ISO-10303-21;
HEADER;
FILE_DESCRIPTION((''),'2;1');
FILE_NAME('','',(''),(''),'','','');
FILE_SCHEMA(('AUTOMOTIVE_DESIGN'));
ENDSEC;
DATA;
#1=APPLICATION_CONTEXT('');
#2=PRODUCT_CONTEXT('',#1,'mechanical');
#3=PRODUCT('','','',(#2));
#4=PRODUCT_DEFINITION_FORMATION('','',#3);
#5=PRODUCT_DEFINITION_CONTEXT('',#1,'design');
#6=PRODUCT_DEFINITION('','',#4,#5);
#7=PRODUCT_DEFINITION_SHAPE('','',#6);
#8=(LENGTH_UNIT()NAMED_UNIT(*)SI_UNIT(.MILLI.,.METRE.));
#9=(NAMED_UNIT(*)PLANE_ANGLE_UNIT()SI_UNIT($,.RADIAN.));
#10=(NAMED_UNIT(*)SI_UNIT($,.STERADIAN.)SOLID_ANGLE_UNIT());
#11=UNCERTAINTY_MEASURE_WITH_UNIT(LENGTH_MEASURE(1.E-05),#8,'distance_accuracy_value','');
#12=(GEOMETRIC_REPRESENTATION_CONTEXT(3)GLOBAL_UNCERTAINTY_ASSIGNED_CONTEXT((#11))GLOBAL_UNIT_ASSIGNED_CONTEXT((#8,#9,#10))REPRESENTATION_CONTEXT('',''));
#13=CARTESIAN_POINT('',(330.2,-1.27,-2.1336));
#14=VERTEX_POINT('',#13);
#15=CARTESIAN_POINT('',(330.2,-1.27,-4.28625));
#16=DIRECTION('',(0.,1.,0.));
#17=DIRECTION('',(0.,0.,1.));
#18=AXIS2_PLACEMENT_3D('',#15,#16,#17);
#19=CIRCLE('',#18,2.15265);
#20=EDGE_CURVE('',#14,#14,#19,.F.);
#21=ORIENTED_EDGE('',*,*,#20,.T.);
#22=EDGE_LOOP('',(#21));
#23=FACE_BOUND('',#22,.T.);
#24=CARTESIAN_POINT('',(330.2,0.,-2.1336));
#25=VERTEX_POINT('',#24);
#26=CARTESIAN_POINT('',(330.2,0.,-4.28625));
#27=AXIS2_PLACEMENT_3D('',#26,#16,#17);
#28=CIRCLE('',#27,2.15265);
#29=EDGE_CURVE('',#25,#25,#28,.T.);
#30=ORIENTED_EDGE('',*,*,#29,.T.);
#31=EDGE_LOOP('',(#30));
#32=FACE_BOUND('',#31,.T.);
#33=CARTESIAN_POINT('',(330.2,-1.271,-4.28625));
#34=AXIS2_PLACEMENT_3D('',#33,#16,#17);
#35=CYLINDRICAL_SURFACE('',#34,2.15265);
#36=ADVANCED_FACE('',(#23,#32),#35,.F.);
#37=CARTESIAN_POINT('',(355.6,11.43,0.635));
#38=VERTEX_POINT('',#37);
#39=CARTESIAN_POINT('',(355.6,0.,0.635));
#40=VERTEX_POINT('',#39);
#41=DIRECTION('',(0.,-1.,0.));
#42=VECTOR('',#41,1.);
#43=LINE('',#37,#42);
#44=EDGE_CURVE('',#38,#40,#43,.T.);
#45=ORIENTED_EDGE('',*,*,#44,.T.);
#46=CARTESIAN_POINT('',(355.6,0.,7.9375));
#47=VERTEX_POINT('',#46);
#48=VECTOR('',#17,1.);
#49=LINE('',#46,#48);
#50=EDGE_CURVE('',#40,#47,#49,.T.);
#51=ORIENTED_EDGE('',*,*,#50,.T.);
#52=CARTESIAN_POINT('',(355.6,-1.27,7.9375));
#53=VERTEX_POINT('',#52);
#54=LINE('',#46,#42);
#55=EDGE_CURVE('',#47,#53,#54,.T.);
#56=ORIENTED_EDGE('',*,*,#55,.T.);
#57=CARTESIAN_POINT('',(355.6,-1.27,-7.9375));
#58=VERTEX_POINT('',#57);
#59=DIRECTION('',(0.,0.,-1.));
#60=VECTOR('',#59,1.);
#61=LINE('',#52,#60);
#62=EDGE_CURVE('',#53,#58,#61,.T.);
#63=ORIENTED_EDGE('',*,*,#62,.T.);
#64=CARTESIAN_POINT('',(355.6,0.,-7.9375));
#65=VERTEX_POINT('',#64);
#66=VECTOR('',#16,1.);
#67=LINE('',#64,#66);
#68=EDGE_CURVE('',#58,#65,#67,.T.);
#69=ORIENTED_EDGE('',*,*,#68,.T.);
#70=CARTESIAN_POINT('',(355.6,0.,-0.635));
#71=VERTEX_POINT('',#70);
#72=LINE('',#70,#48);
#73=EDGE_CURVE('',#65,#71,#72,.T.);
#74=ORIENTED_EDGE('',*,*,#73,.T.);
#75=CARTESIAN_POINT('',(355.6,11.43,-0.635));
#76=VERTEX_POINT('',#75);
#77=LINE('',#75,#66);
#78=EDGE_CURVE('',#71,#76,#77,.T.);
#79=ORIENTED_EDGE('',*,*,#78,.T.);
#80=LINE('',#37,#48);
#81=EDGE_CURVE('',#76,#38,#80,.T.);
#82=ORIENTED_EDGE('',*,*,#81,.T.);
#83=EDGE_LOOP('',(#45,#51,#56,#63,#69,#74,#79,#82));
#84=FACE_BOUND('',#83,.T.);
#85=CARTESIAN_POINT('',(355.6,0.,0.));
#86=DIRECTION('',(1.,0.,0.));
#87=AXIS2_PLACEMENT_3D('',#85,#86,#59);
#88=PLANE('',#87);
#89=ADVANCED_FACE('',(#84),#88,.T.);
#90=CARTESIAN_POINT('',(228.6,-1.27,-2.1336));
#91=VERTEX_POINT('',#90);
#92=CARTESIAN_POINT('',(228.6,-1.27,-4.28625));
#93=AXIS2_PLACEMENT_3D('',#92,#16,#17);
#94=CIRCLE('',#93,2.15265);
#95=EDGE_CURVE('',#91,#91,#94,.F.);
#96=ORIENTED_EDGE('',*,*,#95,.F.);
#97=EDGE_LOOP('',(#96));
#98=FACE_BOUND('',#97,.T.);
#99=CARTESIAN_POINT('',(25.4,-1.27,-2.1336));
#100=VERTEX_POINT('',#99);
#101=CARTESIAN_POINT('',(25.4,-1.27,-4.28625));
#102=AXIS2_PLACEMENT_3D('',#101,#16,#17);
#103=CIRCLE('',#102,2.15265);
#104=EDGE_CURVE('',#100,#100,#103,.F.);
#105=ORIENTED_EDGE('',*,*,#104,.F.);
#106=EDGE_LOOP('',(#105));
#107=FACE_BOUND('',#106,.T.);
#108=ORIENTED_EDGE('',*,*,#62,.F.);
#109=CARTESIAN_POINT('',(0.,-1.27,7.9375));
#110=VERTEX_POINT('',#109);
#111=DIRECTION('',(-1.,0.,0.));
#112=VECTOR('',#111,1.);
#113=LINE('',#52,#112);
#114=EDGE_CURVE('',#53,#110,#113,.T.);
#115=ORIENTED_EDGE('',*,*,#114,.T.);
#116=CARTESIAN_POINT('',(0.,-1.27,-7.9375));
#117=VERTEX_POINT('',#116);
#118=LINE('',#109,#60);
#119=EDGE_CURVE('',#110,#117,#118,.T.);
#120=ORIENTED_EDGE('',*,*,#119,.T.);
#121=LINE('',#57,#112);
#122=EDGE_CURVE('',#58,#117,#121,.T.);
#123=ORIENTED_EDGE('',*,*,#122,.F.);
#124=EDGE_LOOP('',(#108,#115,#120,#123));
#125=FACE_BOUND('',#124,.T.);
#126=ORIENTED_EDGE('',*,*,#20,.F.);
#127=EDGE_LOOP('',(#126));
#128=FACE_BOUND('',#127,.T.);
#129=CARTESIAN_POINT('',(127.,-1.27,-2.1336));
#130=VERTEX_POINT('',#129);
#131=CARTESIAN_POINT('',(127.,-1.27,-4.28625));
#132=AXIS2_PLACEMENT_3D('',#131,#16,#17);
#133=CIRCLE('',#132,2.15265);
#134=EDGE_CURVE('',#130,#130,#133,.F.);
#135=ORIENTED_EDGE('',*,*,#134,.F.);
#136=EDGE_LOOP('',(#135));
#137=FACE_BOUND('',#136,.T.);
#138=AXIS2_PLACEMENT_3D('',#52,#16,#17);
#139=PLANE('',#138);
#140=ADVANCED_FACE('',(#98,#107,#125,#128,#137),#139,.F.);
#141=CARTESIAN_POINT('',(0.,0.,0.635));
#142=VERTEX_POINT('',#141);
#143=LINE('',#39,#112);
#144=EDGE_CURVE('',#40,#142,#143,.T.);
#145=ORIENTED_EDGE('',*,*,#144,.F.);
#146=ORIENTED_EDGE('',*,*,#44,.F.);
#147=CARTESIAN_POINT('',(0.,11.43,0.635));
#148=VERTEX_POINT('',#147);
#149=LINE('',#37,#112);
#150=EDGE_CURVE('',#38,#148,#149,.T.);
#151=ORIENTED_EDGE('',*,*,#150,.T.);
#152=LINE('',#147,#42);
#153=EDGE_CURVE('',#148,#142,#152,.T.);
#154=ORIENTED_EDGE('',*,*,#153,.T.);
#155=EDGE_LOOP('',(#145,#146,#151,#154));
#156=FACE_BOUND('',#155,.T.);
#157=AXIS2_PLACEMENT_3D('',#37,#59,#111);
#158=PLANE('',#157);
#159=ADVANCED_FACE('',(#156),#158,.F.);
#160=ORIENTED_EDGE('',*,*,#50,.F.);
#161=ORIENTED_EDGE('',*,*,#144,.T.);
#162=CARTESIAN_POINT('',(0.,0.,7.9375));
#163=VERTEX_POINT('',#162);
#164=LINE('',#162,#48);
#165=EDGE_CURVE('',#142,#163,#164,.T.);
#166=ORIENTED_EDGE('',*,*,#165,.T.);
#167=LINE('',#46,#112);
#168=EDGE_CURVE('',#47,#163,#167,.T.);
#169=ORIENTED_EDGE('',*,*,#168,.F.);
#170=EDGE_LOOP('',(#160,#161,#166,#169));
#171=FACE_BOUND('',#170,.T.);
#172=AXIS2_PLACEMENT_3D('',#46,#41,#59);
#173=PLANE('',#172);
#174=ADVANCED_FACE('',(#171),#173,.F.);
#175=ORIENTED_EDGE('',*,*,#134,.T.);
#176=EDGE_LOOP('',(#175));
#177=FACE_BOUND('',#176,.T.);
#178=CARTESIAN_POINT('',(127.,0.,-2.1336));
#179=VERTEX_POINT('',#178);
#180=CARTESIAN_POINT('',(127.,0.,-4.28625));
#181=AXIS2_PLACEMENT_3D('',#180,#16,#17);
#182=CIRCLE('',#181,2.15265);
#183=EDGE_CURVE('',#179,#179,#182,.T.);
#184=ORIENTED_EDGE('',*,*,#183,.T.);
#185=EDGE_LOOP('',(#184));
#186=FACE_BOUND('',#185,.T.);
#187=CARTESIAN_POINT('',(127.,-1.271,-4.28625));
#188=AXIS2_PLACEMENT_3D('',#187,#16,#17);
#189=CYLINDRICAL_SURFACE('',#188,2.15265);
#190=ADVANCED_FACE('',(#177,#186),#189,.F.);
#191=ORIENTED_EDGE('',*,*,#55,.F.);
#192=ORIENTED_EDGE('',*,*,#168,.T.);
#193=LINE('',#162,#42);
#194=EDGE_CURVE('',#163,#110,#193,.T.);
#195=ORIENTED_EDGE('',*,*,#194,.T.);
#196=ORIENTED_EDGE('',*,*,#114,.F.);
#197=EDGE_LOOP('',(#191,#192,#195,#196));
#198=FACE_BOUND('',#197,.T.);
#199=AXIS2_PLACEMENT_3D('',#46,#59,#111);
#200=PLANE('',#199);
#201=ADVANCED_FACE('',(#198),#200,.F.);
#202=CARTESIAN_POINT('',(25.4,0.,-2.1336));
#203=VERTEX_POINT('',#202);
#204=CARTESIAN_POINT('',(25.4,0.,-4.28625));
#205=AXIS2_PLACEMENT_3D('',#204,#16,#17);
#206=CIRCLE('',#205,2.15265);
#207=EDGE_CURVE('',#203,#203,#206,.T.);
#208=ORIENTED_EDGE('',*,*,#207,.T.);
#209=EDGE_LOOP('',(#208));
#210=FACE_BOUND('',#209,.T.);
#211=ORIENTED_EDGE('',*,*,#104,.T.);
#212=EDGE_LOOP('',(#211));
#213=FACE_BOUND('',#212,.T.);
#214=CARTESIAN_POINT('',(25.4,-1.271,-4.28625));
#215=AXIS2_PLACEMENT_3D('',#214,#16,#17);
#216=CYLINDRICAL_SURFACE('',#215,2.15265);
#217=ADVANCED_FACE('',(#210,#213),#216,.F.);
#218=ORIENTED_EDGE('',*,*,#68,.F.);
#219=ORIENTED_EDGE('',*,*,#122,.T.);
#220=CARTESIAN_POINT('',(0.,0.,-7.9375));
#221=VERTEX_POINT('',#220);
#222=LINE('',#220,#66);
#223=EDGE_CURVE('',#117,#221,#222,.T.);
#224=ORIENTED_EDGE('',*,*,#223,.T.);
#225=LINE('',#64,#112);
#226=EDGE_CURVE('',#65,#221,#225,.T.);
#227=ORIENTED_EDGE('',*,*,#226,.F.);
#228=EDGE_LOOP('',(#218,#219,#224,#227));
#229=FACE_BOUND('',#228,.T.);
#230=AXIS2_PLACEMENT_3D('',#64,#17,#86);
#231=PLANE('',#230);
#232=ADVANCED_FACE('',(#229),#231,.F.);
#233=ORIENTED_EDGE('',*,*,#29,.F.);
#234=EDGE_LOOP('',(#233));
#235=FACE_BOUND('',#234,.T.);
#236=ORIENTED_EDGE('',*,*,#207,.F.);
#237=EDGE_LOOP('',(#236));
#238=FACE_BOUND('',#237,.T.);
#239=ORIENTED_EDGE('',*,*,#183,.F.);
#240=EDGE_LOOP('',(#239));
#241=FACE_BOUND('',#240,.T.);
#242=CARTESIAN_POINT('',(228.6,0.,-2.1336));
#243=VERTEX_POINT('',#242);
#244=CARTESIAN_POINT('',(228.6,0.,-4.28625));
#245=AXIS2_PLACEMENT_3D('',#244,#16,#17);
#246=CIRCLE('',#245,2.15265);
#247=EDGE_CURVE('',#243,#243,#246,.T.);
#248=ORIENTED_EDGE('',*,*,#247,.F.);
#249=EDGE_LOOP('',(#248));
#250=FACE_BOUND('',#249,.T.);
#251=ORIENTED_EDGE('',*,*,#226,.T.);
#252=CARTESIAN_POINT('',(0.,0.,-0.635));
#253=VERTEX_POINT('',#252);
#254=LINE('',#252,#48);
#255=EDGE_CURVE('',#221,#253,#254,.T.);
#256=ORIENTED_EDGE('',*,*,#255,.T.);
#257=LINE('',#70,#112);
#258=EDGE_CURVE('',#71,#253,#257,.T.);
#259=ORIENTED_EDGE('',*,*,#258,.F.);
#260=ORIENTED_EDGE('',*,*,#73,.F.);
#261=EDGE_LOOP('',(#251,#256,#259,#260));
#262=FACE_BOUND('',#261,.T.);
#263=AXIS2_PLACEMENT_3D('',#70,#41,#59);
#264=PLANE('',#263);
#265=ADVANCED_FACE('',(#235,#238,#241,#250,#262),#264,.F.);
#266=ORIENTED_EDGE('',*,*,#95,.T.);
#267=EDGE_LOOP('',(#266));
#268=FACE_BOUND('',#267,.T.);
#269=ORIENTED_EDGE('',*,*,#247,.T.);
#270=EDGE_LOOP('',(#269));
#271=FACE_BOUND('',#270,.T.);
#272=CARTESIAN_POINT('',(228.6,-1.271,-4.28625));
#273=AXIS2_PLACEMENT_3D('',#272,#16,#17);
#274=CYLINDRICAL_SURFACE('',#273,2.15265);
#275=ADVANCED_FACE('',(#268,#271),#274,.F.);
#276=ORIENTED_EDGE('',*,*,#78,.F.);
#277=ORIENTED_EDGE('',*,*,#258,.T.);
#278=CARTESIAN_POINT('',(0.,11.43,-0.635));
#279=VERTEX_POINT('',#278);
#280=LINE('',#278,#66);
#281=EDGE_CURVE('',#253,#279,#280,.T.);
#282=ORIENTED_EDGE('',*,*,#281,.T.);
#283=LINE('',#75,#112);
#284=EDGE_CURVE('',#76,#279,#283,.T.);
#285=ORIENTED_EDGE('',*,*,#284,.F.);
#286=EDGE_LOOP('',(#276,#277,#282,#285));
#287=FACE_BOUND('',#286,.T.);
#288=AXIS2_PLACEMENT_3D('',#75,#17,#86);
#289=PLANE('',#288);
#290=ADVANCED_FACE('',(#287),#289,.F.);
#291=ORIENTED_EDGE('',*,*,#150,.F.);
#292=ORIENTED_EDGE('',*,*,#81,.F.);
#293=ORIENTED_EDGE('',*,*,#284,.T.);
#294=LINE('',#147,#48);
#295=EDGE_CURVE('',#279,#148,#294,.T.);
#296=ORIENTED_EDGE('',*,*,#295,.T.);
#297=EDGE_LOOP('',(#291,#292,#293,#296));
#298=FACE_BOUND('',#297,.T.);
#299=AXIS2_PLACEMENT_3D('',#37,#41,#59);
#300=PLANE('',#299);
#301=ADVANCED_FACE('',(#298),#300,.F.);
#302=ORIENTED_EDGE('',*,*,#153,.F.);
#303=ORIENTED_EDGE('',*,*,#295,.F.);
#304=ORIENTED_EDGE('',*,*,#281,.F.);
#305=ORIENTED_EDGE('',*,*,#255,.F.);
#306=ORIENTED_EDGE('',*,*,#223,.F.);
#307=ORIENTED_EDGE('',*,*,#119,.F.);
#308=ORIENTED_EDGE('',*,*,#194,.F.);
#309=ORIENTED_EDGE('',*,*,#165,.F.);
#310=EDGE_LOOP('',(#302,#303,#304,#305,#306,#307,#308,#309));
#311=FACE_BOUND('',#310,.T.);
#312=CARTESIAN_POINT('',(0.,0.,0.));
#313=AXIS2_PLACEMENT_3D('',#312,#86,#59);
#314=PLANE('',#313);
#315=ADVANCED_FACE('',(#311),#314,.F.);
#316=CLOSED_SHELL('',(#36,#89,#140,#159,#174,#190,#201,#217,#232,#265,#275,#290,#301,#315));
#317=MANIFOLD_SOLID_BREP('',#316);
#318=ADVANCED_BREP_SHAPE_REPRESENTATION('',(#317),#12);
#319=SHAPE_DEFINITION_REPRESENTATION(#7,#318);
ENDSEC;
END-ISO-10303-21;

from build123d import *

# Parameters (mm, degrees)
BOSS_EXTRUDE1_DEPTH = 355.6
CUT_EXTRUDE1_REACH  = 3.27
SKETCH2_R           = 2.15265


with BuildPart() as part:
    # Sketch1 → Boss-Extrude1 (new body)
    with BuildSketch(Plane(origin=(0, 0, 0), x_dir=(0, 0, -1), z_dir=(1, 0, 0))):
        Polygon((0.635, 0), (7.9375, 0), (7.9375, -1.27), (-7.9375, -1.27), (-7.9375, 0), (-0.635, 0), (-0.635, 11.43), (0.635, 11.43), align=None)
    extrude(amount=BOSS_EXTRUDE1_DEPTH)

    # Sketch2 → Cut-Extrude1 (cut, up to next)
    with BuildSketch(Plane(origin=(0, 0, 0), x_dir=(1, 0, 0), z_dir=(0, 1, 0)), mode=Mode.PRIVATE) as cut_extrude1_sk1:
        with Locations((25.4, 4.28625)):
            Circle(SKETCH2_R)
    cut_extrude1_tool1 = extrude(cut_extrude1_sk1.sketch, amount=-CUT_EXTRUDE1_REACH, mode=Mode.PRIVATE) & part.part
    add(cut_extrude1_tool1.solids().sort_by_distance((25.4, 0, -4.28625))[0], mode=Mode.SUBTRACT)
    # Sketch2 → Cut-Extrude1 (cut, up to next)
    with BuildSketch(Plane(origin=(0, 0, 0), x_dir=(1, 0, 0), z_dir=(0, 1, 0)), mode=Mode.PRIVATE) as cut_extrude1_sk2:
        with Locations((127, 4.28625)):
            Circle(SKETCH2_R)
    cut_extrude1_tool2 = extrude(cut_extrude1_sk2.sketch, amount=-CUT_EXTRUDE1_REACH, mode=Mode.PRIVATE) & part.part
    add(cut_extrude1_tool2.solids().sort_by_distance((127, 0, -4.28625))[0], mode=Mode.SUBTRACT)
    # Sketch2 → Cut-Extrude1 (cut, up to next)
    with BuildSketch(Plane(origin=(0, 0, 0), x_dir=(1, 0, 0), z_dir=(0, 1, 0)), mode=Mode.PRIVATE) as cut_extrude1_sk3:
        with Locations((228.6, 4.28625)):
            Circle(SKETCH2_R)
    cut_extrude1_tool3 = extrude(cut_extrude1_sk3.sketch, amount=-CUT_EXTRUDE1_REACH, mode=Mode.PRIVATE) & part.part
    add(cut_extrude1_tool3.solids().sort_by_distance((228.6, 0, -4.28625))[0], mode=Mode.SUBTRACT)
    # Sketch2 → Cut-Extrude1 (cut, up to next)
    with BuildSketch(Plane(origin=(0, 0, 0), x_dir=(1, 0, 0), z_dir=(0, 1, 0)), mode=Mode.PRIVATE) as cut_extrude1_sk4:
        with Locations((330.2, 4.28625)):
            Circle(SKETCH2_R)
    cut_extrude1_tool4 = extrude(cut_extrude1_sk4.sketch, amount=-CUT_EXTRUDE1_REACH, mode=Mode.PRIVATE) & part.part
    add(cut_extrude1_tool4.solids().sort_by_distance((330.2, 0, -4.28625))[0], mode=Mode.SUBTRACT)


solid = part.part
